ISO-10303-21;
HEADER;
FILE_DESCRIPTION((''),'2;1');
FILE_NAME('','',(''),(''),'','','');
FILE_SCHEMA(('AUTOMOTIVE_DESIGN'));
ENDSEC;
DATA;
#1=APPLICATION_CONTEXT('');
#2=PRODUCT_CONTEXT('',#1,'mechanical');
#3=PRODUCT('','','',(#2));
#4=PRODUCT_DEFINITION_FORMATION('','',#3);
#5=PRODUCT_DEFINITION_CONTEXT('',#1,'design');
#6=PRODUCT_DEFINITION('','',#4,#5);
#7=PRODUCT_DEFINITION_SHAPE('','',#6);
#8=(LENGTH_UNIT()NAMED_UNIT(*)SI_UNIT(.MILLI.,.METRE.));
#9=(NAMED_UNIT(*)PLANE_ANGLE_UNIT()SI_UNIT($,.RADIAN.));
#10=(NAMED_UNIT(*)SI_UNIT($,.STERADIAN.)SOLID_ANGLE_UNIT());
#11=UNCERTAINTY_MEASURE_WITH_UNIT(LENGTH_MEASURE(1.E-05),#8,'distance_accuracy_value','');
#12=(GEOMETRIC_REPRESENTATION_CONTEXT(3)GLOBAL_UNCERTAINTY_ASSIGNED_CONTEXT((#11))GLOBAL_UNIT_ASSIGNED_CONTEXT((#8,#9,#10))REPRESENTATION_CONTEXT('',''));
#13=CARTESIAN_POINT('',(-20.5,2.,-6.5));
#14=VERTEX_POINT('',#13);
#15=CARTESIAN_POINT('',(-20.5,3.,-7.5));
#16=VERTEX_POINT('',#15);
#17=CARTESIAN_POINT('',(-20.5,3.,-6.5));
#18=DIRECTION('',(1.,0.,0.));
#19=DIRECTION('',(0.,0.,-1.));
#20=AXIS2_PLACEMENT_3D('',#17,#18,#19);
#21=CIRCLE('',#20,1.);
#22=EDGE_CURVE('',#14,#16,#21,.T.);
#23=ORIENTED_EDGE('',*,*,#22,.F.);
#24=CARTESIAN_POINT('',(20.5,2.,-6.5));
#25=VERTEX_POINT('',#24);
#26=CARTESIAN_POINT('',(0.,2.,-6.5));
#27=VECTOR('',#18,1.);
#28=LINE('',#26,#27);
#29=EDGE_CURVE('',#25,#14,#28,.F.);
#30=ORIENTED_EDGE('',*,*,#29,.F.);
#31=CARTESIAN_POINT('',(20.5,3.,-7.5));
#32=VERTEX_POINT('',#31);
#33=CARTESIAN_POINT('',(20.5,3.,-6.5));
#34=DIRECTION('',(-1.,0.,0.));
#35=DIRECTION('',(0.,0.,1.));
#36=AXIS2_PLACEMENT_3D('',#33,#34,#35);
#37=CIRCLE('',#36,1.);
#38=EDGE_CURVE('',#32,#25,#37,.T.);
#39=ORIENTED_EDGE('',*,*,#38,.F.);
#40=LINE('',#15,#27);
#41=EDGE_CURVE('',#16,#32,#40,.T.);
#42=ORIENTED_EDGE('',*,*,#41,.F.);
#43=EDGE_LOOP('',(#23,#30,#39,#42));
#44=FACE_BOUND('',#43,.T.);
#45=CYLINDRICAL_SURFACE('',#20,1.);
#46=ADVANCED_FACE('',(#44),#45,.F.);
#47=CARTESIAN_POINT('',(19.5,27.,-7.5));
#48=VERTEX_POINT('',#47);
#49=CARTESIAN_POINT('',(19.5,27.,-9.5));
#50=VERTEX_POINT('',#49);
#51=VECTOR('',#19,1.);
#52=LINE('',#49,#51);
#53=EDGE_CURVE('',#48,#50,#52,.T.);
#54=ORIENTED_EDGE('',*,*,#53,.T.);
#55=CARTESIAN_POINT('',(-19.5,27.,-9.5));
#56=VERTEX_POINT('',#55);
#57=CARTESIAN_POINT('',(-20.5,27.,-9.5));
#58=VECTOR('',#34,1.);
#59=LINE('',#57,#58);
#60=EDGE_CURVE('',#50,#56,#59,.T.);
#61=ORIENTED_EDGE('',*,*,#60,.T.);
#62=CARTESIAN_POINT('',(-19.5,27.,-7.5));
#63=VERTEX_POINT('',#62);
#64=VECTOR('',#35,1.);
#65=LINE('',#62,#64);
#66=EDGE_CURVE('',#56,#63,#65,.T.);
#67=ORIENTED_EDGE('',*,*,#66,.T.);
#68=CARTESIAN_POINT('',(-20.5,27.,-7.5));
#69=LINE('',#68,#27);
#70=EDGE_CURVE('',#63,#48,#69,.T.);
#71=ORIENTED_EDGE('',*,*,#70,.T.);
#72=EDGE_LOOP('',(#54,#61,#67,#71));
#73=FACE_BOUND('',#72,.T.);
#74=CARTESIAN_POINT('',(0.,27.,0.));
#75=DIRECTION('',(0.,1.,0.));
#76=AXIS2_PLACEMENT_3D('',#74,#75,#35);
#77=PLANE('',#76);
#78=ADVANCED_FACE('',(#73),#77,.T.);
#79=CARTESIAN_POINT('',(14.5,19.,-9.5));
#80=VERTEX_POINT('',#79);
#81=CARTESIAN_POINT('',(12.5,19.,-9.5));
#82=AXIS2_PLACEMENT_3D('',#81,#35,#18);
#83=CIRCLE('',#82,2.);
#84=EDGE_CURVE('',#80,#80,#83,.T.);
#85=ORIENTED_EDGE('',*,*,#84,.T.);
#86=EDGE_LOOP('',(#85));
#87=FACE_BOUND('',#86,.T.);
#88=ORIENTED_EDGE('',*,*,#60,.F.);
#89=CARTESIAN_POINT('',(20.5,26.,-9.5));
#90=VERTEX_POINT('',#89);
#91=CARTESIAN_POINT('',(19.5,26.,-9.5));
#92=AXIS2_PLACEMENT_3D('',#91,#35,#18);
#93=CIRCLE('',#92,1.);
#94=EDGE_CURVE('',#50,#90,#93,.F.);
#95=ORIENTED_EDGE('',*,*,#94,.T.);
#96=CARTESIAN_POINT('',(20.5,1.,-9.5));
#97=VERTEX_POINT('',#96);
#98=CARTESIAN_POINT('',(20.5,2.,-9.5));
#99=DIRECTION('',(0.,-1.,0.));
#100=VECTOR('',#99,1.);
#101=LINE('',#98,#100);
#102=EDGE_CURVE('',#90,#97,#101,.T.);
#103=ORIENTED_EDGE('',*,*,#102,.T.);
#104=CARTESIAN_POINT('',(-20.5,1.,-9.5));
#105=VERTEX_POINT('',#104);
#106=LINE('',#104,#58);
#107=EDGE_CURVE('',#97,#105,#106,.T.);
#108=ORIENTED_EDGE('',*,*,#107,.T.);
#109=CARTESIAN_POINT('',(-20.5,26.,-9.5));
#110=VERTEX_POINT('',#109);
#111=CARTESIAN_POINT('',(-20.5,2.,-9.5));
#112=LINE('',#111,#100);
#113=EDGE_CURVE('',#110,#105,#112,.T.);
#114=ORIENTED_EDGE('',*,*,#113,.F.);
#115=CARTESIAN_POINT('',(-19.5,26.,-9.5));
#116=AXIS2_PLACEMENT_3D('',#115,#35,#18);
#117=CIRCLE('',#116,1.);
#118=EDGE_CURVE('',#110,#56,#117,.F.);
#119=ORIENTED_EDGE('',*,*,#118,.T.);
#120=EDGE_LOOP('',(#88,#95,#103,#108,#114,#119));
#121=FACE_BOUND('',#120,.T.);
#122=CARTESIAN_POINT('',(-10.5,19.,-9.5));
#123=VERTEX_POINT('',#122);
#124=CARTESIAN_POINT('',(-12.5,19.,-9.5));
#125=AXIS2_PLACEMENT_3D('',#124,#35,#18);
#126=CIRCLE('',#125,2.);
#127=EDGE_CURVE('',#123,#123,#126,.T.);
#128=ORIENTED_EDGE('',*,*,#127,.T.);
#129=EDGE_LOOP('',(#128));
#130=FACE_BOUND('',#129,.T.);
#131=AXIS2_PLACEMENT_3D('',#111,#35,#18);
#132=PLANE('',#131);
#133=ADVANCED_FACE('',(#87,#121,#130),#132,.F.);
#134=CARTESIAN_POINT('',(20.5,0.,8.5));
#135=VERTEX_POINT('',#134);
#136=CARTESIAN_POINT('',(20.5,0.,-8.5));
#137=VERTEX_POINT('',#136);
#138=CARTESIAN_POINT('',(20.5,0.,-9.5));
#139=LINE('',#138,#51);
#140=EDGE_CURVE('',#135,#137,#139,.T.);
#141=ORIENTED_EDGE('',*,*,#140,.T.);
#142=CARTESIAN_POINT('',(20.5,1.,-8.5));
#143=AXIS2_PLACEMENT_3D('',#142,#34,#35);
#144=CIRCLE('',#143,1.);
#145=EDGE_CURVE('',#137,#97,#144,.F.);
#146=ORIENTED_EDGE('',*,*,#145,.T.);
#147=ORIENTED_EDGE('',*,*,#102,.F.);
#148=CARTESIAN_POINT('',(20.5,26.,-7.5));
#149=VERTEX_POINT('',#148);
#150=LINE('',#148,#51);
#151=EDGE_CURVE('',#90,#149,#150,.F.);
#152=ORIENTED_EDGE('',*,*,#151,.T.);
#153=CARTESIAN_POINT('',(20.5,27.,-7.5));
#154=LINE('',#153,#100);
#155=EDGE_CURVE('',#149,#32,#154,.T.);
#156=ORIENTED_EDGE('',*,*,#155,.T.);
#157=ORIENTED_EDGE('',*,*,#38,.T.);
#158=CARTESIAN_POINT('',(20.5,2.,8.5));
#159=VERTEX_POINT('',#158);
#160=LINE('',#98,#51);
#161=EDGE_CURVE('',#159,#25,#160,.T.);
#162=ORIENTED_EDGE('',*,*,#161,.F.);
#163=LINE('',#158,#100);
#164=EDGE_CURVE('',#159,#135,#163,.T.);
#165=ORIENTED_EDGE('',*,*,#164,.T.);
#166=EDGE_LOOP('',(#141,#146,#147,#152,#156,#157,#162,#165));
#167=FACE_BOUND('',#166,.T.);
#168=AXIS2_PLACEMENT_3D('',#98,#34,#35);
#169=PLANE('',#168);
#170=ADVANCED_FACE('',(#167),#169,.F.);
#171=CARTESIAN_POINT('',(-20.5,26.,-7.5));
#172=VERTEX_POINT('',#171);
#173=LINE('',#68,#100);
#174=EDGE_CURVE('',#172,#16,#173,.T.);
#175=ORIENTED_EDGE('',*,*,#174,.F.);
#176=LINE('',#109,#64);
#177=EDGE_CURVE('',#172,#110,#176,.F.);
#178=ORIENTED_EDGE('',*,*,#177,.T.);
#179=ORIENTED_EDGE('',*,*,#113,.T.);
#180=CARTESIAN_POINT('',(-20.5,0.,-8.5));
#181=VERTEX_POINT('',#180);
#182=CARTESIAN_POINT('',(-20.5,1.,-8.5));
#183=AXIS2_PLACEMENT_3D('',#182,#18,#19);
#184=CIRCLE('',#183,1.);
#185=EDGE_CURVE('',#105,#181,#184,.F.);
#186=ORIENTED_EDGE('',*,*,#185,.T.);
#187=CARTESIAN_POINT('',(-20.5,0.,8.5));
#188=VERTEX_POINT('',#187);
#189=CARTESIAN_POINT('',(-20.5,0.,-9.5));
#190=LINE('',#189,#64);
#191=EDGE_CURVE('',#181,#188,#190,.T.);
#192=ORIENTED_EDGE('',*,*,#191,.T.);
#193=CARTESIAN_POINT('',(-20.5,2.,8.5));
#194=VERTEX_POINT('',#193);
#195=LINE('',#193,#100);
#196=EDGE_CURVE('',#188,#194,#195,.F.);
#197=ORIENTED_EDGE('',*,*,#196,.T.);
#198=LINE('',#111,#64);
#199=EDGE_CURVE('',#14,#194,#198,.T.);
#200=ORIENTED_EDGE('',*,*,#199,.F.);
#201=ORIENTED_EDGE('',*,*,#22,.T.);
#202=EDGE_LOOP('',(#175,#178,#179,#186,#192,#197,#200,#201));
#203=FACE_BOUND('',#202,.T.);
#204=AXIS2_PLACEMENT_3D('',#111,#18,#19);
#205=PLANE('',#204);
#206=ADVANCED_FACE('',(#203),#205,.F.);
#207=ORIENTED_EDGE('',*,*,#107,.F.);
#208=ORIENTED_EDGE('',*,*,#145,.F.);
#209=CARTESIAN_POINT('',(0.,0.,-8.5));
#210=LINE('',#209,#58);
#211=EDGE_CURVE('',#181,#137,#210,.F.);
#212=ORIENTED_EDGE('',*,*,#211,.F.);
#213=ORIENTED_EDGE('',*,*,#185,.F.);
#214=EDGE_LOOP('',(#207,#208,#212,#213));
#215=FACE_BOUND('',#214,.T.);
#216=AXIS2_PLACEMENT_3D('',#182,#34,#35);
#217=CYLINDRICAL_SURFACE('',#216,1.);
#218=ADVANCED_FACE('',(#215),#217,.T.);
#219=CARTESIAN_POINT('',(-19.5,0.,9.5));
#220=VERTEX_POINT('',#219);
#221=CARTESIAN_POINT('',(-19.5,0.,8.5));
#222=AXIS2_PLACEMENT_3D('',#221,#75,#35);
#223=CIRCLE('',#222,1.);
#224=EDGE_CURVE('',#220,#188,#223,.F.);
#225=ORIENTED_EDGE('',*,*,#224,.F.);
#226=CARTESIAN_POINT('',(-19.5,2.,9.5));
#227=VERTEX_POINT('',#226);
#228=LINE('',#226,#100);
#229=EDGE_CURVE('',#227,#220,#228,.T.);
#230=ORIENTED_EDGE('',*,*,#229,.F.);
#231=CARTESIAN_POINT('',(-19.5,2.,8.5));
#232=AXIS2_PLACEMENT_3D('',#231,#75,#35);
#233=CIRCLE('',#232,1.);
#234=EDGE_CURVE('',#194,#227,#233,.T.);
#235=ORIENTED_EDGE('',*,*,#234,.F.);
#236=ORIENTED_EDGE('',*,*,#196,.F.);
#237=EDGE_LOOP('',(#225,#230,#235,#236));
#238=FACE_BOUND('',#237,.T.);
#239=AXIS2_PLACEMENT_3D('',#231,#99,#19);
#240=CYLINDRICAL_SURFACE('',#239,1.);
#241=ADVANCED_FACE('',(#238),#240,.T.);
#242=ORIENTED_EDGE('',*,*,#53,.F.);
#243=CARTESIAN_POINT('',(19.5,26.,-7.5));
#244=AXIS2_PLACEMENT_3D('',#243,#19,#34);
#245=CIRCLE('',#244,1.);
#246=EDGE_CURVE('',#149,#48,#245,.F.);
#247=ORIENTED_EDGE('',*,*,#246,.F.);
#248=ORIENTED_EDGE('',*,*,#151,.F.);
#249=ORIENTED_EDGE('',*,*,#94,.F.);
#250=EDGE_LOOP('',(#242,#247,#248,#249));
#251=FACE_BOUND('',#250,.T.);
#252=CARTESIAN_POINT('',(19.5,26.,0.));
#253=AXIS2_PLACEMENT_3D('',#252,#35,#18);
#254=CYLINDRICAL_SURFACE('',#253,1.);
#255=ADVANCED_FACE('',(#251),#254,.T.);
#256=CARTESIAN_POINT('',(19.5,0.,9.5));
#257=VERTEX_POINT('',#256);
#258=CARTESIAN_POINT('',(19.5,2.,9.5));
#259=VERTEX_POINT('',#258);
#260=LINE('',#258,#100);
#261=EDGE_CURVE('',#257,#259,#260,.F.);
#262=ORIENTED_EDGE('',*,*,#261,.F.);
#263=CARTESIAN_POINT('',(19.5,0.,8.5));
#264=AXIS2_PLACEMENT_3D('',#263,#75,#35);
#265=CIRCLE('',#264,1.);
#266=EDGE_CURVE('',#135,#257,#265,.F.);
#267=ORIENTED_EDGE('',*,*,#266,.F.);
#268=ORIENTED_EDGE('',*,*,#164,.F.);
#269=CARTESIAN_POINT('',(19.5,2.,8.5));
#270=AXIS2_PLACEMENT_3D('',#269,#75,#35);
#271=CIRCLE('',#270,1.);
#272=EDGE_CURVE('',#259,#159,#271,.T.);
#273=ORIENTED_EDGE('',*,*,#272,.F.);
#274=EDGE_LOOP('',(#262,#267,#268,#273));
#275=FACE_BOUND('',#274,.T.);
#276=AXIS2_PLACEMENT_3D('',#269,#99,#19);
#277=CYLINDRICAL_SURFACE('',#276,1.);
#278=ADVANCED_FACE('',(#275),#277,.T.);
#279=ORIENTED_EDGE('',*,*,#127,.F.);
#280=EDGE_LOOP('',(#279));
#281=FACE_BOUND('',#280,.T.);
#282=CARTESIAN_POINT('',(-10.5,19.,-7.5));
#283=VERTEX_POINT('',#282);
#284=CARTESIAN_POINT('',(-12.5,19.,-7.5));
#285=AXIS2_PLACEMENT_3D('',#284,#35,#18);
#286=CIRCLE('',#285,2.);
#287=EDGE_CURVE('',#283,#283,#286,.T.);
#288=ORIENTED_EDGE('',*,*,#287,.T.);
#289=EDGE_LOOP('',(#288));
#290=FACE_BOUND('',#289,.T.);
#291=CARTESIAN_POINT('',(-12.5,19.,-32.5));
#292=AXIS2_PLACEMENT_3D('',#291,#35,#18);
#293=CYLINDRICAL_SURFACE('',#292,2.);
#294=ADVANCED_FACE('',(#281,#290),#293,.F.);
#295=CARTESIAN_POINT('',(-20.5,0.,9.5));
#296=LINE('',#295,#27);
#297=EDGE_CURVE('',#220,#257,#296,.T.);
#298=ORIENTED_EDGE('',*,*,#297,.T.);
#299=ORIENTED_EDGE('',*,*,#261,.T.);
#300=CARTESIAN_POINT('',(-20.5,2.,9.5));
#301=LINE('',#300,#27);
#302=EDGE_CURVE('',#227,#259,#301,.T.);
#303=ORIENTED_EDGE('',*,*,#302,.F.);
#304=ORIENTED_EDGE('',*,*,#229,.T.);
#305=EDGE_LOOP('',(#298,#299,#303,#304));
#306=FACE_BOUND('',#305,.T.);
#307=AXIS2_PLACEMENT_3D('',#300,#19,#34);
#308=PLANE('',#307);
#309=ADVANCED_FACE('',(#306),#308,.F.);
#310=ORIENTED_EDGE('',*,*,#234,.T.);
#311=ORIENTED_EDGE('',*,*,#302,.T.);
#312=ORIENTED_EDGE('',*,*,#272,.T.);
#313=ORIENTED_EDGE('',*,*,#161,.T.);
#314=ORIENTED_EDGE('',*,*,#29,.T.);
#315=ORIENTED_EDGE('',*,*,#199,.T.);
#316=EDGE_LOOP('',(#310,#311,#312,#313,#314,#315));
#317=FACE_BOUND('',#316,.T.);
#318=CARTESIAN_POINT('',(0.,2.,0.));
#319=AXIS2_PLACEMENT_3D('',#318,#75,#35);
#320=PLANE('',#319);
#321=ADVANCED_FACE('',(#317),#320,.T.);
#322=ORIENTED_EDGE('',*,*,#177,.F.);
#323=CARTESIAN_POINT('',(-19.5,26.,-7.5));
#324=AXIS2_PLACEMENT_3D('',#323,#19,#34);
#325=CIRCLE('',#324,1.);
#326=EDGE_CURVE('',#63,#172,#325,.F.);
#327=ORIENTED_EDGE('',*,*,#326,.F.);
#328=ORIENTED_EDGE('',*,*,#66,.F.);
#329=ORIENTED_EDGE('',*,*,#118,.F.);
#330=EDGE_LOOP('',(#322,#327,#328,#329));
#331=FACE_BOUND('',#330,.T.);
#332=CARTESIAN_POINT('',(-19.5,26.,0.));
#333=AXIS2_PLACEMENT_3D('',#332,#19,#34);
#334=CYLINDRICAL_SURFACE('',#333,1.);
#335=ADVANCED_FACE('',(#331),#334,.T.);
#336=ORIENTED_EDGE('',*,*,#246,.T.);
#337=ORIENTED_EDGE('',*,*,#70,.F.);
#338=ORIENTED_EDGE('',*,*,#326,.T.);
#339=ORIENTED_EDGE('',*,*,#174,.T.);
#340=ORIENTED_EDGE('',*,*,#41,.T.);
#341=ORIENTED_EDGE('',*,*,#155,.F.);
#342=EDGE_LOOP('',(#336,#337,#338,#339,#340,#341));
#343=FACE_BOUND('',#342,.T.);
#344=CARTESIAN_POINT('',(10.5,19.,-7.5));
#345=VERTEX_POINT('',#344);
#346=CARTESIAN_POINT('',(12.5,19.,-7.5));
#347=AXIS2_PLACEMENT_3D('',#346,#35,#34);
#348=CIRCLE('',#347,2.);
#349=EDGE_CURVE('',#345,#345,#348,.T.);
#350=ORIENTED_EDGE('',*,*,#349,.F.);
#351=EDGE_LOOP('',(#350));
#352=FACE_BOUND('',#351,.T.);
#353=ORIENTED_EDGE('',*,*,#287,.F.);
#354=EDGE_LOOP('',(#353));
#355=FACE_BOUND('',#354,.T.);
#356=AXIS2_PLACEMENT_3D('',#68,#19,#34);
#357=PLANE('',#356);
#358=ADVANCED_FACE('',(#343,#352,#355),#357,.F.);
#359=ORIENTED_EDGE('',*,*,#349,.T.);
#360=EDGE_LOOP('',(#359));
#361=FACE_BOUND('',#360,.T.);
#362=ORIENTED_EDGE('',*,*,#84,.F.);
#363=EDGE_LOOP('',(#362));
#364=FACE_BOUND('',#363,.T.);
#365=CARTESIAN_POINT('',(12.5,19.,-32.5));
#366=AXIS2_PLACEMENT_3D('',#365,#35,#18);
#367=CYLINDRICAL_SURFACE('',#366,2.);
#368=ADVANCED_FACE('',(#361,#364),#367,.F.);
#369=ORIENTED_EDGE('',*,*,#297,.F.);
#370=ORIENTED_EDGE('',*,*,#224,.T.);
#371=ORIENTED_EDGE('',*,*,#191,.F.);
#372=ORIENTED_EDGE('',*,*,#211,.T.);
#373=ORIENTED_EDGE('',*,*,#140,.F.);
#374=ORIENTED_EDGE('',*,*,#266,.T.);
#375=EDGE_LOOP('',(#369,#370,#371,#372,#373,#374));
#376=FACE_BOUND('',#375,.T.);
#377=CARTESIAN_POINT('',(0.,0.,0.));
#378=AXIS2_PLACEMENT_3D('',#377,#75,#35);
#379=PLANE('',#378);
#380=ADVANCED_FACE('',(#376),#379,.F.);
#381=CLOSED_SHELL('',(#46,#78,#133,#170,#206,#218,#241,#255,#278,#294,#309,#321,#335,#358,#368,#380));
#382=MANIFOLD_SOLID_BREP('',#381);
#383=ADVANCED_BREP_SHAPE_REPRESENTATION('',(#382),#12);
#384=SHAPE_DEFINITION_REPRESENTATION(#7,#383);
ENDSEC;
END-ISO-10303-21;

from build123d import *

# Parameters (mm, degrees)
SKETCH_1_W          = 41
SKETCH_1_H          = 19
EXTRUDE_2_DEPTH     = 2
SKETCH_2_W          = 41
SKETCH_2_H          = 2
EXTRUDE_3_DEPTH     = 25
SKETCH_3_R          = 2
CUT_EXTRUDE_1_DEPTH = 25
FILLET_1_R          = 1
FILLET_2_R          = 1
FILLET_3_R          = 1
FILLET_4_R          = 1
FILLET_5_R          = 1
FILLET_6_R          = 1


with BuildPart() as part:
    # 草图1 → 凸台-拉伸2 (new body)
    with BuildSketch(Plane(origin=(0, 0, 0), x_dir=(1, 0, 0), z_dir=(0, 1, 0))):
        Rectangle(SKETCH_1_W, SKETCH_1_H)
    extrude(amount=EXTRUDE_2_DEPTH)

    # 草图2 → 凸台-拉伸3 (add)
    with BuildSketch(Plane(origin=(0, 2, 0), x_dir=(1, 0, 0), z_dir=(0, 1, 0))):
        with Locations((0, 8.5)):
            Rectangle(SKETCH_2_W, SKETCH_2_H)
    extrude(amount=EXTRUDE_3_DEPTH)

    # 草图3 → 切除-拉伸1 (cut)
    with BuildSketch(Plane.XY.offset(-7.5)):
        with Locations((-12.5, 19)):
            Circle(SKETCH_3_R)
        with Locations((12.5, 19)):
            Circle(SKETCH_3_R)
    extrude(amount=-CUT_EXTRUDE_1_DEPTH, mode=Mode.SUBTRACT)

    # 圆角1
    fillet_1_edges = [part.edges().sort_by_distance(p)[0] for p in [
        (0, 2, -7.5),
    ]]
    fillet(fillet_1_edges, radius=FILLET_1_R)

    # 圆角2
    fillet_2_edges = [part.edges().sort_by_distance(p)[0] for p in [
        (0, 0, -9.5),
    ]]
    fillet(fillet_2_edges, radius=FILLET_2_R)

    # 圆角3
    fillet_3_edges = [part.edges().sort_by_distance(p)[0] for p in [
        (-20.5, 1, 9.5),
    ]]
    fillet(fillet_3_edges, radius=FILLET_3_R)

    # 圆角4
    fillet_4_edges = [part.edges().sort_by_distance(p)[0] for p in [
        (20.5, 1, 9.5),
    ]]
    fillet(fillet_4_edges, radius=FILLET_4_R)

    # 圆角5
    fillet_5_edges = [part.edges().sort_by_distance(p)[0] for p in [
        (-20.5, 27, -8.5),
    ]]
    fillet(fillet_5_edges, radius=FILLET_5_R)

    # 圆角6
    fillet_6_edges = [part.edges().sort_by_distance(p)[0] for p in [
        (20.5, 27, -8.5),
    ]]
    fillet(fillet_6_edges, radius=FILLET_6_R)


solid = part.part
